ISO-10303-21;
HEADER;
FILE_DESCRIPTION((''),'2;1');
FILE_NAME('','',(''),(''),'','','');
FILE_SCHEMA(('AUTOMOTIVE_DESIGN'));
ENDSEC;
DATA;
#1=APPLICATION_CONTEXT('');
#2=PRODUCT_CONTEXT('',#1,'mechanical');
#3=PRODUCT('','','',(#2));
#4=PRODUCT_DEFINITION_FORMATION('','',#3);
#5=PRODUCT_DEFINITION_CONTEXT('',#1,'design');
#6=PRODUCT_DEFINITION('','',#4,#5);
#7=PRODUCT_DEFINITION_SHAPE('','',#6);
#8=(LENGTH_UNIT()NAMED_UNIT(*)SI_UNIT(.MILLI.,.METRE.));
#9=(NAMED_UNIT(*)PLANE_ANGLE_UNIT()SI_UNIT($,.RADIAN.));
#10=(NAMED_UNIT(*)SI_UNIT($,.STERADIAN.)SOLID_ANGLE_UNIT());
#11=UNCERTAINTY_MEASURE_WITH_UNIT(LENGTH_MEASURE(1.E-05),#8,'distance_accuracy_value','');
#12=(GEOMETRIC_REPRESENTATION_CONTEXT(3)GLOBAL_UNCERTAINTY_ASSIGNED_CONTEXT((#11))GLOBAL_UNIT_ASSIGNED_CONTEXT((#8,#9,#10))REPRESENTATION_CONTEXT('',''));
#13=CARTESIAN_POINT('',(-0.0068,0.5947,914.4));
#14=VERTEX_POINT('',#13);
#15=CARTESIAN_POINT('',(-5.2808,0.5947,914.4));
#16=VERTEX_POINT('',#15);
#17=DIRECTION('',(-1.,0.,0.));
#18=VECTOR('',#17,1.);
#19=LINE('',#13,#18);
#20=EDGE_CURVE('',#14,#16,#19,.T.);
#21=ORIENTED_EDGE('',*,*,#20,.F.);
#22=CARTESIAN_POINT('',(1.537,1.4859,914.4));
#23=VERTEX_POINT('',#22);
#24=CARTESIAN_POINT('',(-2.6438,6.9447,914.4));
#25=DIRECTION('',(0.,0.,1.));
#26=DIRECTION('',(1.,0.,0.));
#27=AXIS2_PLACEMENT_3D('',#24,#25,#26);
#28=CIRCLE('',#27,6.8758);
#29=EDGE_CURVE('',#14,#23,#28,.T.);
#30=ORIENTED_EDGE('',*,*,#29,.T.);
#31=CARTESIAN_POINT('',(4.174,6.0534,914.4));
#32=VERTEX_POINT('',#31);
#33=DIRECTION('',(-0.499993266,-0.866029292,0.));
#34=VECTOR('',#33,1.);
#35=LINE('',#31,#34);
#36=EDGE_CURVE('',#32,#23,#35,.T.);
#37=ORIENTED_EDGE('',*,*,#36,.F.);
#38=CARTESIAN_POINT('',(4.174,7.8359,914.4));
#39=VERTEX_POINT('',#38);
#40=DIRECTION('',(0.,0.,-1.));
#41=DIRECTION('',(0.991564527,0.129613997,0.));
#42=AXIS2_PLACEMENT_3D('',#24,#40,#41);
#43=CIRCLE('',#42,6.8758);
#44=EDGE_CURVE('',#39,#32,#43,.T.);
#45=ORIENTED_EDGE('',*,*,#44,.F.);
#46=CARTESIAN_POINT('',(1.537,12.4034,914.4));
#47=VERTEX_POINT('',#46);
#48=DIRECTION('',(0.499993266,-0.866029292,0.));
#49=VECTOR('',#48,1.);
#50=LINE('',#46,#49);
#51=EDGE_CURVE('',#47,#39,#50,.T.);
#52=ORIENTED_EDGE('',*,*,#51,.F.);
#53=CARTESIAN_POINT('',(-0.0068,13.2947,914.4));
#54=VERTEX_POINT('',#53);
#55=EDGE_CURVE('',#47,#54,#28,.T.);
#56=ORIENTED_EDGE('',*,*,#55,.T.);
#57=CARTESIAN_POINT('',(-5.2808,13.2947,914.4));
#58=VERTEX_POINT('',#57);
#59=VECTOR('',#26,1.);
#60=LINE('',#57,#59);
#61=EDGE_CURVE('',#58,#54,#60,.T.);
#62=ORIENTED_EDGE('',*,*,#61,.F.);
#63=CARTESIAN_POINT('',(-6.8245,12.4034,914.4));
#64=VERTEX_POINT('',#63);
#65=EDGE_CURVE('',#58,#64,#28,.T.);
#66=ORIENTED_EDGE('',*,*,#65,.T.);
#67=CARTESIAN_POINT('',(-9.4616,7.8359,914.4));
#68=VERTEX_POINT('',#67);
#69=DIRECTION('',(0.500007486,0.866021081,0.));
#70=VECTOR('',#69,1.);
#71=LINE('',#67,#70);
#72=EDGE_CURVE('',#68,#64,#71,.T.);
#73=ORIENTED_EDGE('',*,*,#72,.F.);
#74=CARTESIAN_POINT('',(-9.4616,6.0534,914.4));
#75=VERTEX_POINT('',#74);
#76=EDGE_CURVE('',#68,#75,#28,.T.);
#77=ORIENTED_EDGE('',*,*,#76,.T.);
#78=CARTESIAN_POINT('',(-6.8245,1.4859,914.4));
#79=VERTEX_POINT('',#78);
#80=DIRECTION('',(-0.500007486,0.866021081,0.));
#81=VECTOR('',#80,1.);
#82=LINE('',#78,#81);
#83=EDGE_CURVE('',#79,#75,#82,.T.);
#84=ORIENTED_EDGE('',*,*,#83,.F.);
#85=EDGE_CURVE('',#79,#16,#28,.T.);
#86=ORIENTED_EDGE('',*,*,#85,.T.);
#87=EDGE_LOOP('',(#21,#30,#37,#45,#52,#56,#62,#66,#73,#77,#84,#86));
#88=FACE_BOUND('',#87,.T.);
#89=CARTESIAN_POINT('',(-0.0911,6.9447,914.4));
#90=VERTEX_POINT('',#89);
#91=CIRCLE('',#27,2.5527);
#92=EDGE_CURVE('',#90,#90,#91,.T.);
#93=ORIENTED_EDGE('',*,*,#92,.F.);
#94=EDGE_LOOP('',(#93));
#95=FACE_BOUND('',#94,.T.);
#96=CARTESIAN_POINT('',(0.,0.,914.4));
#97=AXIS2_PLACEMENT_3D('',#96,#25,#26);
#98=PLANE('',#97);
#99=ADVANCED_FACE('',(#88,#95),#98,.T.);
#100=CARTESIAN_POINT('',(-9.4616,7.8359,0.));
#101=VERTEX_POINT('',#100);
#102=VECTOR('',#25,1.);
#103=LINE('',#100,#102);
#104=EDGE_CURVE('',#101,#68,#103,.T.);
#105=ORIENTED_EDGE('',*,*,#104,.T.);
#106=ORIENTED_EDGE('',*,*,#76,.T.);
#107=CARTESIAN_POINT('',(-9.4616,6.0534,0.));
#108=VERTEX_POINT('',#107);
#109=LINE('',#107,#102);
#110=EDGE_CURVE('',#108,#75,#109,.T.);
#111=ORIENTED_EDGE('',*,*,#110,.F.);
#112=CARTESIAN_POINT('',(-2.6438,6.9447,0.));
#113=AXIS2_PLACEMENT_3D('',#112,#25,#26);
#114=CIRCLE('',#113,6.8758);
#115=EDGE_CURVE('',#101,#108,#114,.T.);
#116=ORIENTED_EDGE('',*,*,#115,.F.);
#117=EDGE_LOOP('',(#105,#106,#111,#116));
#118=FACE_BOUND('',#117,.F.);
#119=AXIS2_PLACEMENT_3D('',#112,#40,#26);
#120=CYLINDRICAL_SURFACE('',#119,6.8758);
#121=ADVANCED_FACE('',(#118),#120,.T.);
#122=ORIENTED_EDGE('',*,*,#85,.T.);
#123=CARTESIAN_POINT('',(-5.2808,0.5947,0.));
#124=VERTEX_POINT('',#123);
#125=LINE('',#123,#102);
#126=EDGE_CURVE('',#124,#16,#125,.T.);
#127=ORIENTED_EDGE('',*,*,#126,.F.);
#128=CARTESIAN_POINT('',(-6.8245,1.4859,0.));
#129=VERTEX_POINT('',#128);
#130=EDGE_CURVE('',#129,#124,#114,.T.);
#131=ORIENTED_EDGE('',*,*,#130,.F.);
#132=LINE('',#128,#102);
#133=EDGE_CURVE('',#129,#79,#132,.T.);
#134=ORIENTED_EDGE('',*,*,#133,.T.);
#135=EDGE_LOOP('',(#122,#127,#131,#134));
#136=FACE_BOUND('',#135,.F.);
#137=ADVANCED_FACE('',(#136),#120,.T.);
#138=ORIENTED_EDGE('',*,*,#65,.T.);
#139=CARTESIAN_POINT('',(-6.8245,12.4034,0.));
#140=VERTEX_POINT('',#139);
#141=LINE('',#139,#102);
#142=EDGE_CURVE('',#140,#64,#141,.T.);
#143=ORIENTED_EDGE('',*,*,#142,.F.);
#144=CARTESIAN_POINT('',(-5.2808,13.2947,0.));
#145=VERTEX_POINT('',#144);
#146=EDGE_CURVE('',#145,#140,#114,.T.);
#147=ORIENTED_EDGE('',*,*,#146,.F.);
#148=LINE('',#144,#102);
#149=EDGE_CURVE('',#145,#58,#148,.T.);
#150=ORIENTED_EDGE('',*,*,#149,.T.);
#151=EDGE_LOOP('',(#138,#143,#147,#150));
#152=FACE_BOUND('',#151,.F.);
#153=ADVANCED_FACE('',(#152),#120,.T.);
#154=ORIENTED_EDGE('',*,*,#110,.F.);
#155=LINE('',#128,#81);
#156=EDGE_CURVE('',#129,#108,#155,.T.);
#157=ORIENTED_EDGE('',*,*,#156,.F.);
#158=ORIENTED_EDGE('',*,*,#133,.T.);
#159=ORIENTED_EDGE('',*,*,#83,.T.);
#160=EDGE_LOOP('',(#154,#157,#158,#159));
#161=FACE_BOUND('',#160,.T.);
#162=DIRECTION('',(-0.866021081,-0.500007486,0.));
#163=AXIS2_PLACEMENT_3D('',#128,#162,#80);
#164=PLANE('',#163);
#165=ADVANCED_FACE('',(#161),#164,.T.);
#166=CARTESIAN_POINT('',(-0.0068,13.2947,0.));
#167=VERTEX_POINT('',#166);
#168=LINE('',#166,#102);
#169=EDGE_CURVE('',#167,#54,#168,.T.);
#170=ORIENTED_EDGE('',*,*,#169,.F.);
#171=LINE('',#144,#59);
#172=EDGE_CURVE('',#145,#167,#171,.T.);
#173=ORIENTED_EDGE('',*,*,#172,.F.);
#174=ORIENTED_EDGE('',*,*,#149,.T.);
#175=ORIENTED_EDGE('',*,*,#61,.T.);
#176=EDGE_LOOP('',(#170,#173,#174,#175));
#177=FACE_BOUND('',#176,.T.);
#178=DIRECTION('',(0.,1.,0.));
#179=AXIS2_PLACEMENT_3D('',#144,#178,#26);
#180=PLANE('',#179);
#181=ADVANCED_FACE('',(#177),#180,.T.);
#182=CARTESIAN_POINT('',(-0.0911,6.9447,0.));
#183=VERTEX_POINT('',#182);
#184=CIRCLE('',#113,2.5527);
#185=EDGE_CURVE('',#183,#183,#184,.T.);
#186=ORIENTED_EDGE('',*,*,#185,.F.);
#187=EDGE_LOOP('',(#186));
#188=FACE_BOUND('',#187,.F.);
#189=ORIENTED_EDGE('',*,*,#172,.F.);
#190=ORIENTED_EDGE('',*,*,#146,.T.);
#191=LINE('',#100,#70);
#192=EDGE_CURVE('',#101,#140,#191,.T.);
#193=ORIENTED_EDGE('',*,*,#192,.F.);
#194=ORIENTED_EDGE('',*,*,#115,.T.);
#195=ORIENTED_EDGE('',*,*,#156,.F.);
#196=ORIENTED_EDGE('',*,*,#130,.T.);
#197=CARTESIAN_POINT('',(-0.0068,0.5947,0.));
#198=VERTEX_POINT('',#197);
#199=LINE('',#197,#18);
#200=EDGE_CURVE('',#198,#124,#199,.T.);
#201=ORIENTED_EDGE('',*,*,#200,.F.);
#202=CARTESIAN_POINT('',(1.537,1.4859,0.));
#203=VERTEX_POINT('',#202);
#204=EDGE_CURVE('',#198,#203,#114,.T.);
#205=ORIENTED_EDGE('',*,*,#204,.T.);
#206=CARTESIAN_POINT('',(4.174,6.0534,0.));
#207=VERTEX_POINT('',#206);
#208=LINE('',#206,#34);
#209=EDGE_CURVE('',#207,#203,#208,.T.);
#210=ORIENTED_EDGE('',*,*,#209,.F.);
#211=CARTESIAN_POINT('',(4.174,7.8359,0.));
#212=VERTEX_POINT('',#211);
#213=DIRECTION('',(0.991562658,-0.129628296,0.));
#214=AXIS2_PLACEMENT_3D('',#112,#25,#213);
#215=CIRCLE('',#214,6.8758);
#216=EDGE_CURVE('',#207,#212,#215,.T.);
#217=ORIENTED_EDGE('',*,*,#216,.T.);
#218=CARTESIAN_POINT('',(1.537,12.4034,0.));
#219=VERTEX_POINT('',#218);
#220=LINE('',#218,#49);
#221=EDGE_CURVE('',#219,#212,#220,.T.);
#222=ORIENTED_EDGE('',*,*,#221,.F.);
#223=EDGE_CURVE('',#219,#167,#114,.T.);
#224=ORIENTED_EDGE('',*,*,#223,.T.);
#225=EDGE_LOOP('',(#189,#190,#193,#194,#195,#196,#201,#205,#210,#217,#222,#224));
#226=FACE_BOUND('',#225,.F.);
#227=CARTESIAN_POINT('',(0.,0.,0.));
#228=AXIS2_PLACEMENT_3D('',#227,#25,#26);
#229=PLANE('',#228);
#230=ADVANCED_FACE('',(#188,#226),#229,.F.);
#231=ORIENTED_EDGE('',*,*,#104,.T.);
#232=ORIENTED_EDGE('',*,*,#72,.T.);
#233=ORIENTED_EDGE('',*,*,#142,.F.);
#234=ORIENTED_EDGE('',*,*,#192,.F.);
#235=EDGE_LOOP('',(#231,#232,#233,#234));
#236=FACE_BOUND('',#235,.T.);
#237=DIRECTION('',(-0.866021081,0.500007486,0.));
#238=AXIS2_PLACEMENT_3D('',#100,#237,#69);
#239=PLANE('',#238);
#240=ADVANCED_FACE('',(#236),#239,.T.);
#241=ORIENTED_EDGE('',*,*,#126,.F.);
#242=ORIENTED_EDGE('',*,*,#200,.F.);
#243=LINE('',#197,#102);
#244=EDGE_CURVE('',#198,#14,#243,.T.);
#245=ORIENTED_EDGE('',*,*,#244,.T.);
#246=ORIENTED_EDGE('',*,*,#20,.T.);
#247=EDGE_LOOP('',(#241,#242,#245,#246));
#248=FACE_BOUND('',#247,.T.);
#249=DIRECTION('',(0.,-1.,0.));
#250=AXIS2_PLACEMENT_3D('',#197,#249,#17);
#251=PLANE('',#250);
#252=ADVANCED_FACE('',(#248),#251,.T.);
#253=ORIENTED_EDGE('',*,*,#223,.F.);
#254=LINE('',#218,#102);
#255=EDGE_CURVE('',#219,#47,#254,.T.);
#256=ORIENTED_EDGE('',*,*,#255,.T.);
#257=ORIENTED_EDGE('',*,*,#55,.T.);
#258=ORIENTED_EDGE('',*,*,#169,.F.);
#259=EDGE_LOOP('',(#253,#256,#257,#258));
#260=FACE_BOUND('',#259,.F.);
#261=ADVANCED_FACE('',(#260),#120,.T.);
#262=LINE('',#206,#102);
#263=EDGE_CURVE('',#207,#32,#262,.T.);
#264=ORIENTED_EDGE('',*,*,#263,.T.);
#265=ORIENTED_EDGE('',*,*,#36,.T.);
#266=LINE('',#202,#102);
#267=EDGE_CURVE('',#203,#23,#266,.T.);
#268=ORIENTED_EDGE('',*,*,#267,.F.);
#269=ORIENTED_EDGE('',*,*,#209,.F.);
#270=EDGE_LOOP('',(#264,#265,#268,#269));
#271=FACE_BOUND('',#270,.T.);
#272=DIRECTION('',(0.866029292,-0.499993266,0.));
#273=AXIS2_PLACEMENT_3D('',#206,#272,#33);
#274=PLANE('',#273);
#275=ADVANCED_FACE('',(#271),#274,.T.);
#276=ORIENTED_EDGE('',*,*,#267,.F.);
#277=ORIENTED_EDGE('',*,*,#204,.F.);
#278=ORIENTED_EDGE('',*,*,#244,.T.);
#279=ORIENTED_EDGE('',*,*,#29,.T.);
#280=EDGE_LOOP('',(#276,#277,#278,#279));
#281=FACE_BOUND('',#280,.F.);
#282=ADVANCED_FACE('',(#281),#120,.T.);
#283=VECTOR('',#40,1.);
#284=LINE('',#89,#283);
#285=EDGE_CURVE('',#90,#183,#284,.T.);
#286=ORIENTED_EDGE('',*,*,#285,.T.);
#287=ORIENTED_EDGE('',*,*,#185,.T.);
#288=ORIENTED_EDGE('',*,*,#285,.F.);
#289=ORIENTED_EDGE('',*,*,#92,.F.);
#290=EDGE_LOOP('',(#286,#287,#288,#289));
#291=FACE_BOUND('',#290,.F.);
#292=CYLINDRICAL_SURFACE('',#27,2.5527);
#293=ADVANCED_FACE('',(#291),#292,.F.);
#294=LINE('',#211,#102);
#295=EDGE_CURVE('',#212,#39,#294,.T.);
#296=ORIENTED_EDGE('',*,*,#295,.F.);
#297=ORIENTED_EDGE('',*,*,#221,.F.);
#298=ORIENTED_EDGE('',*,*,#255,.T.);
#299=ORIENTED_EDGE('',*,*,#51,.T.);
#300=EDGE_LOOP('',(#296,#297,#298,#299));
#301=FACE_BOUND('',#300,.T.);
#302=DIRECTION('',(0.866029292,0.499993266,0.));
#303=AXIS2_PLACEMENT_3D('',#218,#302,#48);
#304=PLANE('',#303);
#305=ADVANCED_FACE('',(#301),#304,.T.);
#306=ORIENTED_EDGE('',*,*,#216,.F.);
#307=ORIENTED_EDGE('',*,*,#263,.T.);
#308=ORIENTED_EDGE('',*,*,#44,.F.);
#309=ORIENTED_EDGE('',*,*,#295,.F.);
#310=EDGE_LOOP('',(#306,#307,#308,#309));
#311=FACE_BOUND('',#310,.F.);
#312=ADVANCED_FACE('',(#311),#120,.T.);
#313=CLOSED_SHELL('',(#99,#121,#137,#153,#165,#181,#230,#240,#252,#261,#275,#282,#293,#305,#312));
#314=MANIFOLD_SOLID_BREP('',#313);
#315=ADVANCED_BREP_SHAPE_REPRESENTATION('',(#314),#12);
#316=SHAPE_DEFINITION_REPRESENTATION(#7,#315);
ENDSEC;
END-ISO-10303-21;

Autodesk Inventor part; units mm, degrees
ref_plane "YZ Plane" through (0, 0, 0) normal (1, 0, 0) x (0, 1, 0)
ref_plane "XZ Plane" through (0, 0, 0) normal (0, 1, 0) x (-1, 0, 0)
ref_plane "XY Plane" through (0, 0, 0) normal (0, 0, 1) x (1, 0, 0)
sketch "Sketch1" plane through (0, 0, 0) normal (0, 0, 1) x (1, 0, 0)
  circle A0 centre (-2.6438, 6.9447) radius 6.8758
  line L0 (-9.4616, 7.8359) -> (-6.8245, 12.4034)
  line L1 (-6.8245, 1.4859) -> (-9.4616, 6.0534)
  line L2 (-0.0068, 0.5947) -> (-5.2808, 0.5947)
  line L3 (4.174, 6.0534) -> (1.537, 1.4859)
  line L4 (1.537, 12.4034) -> (4.174, 7.8359)
  line L5 (-5.2808, 13.2947) -> (-0.0068, 13.2947)
  point P0 (0, 0)
  point P1 (1.537, 1.4859)
  dimension "d0" = 13.7516
  dimension "d4" = 360
extrude "Extrusion1" add sketch "Sketch1" along normal blind 914.4 contours A0 L3 L2 L1 L0 L5 L4
sketch "Sketch2" plane through (0, 0, 914.4) normal (0, 0, 1) x (1, 0, 0)
  circle A0 centre (-2.6438, 6.9447) radius 2.5527
  line L0 (-5.2808, 0.5947) -> (-0.0068, 0.5947) projected
  line L1 (-2.6438, 6.9447) -> (-5.2808, 0.5947) construction
  line L2 (-2.6438, 6.9447) -> (-0.0068, 0.5947) construction
  point P0 (0, 0)
  dimension "d8" = 5.1054
  dimension "d9" = 6.35
extrude "Extrusion2" cut sketch "Sketch2" against normal blind 914.4
equation "\"d6\" = d5"
equation "\"d10\" = d5"
equation "\"d5\" = 914.4"
properties part number "ThunderHex Stock"
